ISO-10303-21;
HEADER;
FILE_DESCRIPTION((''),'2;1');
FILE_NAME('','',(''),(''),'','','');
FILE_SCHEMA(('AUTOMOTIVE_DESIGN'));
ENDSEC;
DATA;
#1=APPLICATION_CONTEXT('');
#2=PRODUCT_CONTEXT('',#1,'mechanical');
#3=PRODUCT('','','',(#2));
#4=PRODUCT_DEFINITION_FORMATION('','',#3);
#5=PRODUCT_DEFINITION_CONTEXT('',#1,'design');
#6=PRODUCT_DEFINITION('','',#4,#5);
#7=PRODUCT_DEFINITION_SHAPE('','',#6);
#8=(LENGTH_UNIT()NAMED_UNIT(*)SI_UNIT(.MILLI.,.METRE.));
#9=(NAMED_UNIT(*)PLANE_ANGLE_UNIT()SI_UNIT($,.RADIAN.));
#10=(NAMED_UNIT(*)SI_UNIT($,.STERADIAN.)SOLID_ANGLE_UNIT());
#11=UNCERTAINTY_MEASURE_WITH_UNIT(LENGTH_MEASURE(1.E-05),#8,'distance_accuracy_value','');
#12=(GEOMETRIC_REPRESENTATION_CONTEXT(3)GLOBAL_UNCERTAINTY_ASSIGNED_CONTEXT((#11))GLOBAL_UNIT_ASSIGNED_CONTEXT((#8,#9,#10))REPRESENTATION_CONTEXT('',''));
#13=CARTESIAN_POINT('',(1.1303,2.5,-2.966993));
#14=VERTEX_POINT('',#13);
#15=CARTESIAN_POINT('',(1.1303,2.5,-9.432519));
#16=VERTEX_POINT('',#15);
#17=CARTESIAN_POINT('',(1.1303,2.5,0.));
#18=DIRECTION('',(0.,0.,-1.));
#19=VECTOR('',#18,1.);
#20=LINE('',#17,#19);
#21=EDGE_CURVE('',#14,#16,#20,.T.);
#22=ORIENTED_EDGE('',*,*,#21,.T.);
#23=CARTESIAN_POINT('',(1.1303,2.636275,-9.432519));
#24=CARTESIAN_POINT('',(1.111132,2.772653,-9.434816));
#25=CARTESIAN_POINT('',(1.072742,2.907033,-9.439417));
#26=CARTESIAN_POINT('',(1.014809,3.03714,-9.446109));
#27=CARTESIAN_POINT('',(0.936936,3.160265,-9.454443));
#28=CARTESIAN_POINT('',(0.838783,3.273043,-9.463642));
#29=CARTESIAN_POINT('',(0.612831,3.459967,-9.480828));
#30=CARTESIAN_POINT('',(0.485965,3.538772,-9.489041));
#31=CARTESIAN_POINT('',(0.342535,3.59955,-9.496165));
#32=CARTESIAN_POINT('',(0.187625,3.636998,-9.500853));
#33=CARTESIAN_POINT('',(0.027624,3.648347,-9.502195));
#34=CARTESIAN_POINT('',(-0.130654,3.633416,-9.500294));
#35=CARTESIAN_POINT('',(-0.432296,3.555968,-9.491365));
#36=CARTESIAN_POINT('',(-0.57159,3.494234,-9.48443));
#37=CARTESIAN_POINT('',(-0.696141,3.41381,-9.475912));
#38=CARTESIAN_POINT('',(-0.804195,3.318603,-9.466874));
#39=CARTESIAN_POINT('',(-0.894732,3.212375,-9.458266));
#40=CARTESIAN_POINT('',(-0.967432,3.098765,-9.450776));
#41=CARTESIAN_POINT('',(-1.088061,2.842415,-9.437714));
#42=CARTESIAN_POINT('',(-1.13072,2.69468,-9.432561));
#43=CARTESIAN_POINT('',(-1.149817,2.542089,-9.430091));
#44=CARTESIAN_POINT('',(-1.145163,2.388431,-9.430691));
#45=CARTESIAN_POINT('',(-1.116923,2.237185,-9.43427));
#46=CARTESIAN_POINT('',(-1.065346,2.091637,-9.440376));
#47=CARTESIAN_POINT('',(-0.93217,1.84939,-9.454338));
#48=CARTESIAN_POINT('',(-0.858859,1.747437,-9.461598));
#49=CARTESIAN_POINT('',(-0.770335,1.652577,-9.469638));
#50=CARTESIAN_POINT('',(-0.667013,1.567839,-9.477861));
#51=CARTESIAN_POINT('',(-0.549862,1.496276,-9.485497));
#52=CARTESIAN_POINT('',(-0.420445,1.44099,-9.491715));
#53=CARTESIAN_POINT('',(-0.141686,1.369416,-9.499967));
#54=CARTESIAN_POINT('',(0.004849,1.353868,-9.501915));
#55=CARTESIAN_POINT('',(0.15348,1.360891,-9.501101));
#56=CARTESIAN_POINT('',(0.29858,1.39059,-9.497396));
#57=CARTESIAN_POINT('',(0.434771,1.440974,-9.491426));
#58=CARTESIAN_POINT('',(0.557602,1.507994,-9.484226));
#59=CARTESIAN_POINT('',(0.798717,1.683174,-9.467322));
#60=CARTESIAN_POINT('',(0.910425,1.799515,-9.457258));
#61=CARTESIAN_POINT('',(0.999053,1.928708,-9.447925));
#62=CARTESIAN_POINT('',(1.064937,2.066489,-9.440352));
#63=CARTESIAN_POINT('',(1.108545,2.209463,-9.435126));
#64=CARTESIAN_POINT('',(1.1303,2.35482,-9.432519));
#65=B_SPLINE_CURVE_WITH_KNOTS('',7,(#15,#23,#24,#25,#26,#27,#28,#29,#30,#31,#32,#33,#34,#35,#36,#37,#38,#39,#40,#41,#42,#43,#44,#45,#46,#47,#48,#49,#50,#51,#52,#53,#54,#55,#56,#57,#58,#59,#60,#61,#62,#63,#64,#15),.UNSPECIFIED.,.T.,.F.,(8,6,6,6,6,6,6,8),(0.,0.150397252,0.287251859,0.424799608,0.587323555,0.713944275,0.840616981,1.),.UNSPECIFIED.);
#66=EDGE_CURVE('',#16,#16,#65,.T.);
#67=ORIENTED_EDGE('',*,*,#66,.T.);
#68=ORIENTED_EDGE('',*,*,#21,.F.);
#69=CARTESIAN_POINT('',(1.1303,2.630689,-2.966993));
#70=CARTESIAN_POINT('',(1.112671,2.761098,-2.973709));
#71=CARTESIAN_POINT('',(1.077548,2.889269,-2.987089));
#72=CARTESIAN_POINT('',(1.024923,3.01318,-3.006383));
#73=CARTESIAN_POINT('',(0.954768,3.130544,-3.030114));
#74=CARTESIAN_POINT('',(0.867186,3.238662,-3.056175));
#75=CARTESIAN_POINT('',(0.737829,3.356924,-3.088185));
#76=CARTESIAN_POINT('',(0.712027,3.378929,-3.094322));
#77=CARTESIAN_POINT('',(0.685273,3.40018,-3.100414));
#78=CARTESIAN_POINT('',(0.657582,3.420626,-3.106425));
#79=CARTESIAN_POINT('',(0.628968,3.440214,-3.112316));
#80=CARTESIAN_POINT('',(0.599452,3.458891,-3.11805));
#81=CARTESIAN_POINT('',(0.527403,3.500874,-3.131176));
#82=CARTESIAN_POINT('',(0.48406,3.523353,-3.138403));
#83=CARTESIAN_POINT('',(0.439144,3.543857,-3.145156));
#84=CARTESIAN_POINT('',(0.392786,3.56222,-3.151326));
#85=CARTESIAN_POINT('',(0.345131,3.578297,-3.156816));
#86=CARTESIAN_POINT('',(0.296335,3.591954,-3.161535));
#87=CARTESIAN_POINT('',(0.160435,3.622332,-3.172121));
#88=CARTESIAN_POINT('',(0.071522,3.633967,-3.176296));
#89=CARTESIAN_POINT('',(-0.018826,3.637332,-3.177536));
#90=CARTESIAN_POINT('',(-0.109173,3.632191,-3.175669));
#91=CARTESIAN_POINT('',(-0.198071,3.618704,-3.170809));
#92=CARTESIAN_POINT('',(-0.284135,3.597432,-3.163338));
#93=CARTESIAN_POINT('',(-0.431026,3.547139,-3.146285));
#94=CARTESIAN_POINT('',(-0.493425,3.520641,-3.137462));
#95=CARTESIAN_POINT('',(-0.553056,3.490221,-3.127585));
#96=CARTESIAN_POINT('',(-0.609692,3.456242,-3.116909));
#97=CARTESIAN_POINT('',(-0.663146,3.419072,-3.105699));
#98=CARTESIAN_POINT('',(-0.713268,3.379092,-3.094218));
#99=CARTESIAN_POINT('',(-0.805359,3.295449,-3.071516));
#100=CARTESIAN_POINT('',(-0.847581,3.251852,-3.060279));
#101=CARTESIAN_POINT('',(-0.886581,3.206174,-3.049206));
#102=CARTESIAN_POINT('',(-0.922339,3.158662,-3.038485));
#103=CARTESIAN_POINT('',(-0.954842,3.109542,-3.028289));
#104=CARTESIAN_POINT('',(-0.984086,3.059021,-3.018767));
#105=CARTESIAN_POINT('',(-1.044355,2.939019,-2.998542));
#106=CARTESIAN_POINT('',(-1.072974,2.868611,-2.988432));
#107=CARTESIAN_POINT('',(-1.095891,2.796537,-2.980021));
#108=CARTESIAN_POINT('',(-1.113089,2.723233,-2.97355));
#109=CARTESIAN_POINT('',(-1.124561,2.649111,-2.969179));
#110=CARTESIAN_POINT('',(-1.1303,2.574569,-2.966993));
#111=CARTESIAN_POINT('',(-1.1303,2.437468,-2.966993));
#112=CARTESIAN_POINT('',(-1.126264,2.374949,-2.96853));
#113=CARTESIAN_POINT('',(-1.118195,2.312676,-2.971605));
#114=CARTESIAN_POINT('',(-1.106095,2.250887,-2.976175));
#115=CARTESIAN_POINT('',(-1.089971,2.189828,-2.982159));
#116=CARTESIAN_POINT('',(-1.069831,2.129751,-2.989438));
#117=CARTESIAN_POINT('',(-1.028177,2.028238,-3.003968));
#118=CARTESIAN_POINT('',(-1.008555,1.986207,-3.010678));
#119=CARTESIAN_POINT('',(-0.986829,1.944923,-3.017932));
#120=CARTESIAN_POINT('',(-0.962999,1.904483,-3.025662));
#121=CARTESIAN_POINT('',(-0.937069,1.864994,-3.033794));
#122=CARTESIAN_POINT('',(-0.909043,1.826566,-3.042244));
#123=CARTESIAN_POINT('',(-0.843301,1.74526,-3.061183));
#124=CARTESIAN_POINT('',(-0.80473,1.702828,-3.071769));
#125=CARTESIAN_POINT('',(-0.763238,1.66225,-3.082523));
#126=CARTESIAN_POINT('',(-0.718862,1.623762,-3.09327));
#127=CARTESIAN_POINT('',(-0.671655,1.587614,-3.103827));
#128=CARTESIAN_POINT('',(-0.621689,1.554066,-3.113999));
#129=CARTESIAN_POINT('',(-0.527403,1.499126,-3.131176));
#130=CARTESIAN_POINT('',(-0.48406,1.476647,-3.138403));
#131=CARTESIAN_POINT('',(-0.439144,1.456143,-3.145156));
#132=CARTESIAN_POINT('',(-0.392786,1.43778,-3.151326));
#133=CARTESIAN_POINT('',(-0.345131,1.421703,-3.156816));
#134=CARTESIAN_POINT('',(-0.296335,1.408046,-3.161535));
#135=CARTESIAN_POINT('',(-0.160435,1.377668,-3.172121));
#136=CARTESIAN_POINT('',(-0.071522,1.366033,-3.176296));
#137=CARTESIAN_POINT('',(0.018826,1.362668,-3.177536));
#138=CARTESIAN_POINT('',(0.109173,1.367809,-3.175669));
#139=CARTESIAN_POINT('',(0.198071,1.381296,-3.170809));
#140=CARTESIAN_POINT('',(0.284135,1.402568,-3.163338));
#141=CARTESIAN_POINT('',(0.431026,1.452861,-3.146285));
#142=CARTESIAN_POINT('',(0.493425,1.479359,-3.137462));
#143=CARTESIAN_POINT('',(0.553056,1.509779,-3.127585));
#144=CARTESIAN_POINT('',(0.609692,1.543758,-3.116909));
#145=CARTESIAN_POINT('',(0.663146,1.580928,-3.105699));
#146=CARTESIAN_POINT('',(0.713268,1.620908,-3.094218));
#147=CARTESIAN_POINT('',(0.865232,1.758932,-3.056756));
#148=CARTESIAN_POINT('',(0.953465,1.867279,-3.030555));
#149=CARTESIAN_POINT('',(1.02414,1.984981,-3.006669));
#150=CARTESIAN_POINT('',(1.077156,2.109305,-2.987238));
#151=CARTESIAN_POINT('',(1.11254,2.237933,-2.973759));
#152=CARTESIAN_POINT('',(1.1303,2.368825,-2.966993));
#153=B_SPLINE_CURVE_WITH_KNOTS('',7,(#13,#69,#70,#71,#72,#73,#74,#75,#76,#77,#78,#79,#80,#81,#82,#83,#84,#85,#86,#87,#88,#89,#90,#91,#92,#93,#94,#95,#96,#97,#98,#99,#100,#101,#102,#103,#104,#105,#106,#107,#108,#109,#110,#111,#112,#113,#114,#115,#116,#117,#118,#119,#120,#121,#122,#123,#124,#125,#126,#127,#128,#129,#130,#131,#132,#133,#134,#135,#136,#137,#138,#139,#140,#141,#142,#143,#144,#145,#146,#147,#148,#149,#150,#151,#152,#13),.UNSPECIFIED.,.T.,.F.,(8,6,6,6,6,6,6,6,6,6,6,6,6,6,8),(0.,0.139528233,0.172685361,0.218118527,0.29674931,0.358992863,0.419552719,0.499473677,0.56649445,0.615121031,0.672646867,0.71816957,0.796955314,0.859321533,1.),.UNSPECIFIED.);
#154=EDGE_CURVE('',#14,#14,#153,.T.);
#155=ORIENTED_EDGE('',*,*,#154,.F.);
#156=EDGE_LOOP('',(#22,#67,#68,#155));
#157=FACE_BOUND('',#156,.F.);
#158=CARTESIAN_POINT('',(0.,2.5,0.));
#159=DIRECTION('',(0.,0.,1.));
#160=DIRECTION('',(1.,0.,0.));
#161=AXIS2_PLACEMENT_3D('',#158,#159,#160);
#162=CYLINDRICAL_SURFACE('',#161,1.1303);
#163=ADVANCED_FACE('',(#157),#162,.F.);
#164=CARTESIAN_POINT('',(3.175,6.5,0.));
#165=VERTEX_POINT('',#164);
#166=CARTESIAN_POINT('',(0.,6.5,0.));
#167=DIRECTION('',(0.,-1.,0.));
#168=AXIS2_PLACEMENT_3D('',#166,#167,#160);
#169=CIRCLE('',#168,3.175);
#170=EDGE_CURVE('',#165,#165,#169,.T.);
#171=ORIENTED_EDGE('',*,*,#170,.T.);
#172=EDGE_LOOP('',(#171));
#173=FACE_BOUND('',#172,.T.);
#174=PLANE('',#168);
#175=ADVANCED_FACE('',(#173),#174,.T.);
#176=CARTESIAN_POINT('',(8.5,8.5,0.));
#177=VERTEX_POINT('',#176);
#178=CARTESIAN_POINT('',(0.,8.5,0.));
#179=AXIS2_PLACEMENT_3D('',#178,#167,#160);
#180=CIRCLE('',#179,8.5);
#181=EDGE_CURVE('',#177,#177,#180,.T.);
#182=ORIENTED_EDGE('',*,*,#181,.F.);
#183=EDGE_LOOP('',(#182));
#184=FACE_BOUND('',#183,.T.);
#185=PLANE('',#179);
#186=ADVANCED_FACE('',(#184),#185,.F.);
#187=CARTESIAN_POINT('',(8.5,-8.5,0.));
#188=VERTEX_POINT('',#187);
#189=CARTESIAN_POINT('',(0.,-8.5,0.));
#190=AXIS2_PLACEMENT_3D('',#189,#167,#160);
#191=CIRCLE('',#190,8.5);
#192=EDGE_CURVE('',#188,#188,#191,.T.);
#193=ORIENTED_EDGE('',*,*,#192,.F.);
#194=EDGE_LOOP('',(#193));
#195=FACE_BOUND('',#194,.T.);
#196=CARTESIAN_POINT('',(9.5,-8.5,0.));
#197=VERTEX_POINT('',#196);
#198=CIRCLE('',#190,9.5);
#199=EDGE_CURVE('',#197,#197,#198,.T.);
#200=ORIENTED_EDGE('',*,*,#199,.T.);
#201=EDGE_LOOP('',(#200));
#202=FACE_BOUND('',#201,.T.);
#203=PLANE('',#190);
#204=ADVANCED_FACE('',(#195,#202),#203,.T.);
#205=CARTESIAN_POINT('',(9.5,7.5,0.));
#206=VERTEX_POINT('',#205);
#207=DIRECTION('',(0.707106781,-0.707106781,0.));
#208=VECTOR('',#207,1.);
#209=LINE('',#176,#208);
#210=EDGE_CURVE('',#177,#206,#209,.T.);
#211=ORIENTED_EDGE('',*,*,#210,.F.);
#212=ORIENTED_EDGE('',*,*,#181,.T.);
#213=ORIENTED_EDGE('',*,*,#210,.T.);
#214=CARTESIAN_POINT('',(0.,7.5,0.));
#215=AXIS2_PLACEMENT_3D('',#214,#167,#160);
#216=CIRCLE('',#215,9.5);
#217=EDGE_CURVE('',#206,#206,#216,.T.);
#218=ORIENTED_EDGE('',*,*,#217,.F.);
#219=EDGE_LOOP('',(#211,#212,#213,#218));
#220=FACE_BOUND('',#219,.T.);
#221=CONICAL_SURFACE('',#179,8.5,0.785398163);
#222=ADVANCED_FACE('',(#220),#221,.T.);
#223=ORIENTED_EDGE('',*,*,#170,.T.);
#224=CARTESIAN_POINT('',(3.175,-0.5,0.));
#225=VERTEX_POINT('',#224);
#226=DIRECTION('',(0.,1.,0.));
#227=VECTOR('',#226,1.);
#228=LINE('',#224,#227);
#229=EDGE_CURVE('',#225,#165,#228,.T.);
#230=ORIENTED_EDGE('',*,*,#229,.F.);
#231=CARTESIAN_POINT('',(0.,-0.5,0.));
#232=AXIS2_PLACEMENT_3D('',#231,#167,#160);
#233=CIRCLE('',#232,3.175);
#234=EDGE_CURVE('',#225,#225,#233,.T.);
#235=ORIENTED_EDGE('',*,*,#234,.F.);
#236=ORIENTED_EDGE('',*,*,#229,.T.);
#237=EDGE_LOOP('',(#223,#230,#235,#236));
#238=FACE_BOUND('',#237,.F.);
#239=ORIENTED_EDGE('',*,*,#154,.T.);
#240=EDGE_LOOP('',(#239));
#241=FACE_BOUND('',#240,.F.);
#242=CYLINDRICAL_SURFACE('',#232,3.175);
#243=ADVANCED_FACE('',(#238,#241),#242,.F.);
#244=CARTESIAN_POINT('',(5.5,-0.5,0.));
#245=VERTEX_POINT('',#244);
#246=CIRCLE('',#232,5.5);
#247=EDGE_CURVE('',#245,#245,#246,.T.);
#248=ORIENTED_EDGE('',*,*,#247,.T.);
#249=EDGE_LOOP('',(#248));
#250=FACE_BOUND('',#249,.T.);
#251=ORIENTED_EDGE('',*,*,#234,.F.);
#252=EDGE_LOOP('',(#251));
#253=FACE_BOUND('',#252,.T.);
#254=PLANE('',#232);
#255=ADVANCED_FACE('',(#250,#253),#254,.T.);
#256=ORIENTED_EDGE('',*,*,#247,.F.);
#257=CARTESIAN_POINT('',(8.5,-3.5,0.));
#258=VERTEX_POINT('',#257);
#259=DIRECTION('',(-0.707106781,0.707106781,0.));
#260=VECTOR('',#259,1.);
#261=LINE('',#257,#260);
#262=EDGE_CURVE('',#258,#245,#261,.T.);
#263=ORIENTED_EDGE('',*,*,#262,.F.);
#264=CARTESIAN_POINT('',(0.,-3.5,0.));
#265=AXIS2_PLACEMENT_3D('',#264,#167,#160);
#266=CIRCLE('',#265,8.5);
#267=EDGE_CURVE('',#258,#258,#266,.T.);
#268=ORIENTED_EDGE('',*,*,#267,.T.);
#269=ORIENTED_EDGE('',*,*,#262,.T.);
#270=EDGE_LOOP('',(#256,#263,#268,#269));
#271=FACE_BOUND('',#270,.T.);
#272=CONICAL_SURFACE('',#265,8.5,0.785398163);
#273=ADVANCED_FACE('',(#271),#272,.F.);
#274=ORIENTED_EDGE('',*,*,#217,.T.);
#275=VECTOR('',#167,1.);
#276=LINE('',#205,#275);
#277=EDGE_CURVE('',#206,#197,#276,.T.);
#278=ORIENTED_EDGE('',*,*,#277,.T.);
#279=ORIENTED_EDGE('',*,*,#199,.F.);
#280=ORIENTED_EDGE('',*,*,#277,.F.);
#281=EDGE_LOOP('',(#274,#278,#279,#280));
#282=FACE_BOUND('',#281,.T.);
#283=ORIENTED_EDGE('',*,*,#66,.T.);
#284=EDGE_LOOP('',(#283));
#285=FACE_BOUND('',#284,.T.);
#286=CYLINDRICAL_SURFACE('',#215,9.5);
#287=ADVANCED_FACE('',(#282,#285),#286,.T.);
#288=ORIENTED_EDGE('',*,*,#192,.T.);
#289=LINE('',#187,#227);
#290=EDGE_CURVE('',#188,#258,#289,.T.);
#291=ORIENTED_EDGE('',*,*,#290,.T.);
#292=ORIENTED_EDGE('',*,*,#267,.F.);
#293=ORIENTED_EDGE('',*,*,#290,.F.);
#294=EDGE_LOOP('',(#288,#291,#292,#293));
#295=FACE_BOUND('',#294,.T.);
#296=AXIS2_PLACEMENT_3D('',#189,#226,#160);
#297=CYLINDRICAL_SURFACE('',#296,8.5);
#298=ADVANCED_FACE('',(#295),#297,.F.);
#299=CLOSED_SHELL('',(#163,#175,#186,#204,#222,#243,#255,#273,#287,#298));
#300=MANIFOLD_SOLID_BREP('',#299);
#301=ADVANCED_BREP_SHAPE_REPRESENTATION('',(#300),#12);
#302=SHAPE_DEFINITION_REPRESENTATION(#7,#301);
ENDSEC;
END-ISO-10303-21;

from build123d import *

# Parameters (mm, degrees)
SKETCH2_R          = 3.175
CUT_EXTRUDE1_DEPTH = 7
CUT_EXTRUDE2_REACH = 11.5
SKETCH3_R          = 1.1303


with BuildPart() as part:
    # Sketch1 → Revolve1 (revolve)
    with BuildSketch(Plane.XY):
        Polygon((0, 8.5), (8.5, 8.5), (9.5, 7.5), (9.5, -8.5), (8.5, -8.5), (8.5, -3.5), (5.5, -0.5), (0, -0.5), align=None)
    revolve(axis=Axis((0, 8.5, 0), (0, -1, 0)))

    # Sketch2 → Cut-Extrude1 (cut)
    with BuildSketch(Plane.XZ.offset(0.5)):
        Circle(SKETCH2_R)
    extrude(amount=-CUT_EXTRUDE1_DEPTH, mode=Mode.SUBTRACT)

    # Sketch3 → Cut-Extrude2 (cut, up to next)
    with BuildSketch(Plane.XY, mode=Mode.PRIVATE) as cut_extrude2_sk1:
        with Locations((0, 2.5)):
            Circle(SKETCH3_R)
    cut_extrude2_tool1 = extrude(cut_extrude2_sk1.sketch, amount=-CUT_EXTRUDE2_REACH, mode=Mode.PRIVATE) & part.part
    add(cut_extrude2_tool1.solids().sort_by_distance((0, 2.5, 0))[0], mode=Mode.SUBTRACT)


solid = part.part
